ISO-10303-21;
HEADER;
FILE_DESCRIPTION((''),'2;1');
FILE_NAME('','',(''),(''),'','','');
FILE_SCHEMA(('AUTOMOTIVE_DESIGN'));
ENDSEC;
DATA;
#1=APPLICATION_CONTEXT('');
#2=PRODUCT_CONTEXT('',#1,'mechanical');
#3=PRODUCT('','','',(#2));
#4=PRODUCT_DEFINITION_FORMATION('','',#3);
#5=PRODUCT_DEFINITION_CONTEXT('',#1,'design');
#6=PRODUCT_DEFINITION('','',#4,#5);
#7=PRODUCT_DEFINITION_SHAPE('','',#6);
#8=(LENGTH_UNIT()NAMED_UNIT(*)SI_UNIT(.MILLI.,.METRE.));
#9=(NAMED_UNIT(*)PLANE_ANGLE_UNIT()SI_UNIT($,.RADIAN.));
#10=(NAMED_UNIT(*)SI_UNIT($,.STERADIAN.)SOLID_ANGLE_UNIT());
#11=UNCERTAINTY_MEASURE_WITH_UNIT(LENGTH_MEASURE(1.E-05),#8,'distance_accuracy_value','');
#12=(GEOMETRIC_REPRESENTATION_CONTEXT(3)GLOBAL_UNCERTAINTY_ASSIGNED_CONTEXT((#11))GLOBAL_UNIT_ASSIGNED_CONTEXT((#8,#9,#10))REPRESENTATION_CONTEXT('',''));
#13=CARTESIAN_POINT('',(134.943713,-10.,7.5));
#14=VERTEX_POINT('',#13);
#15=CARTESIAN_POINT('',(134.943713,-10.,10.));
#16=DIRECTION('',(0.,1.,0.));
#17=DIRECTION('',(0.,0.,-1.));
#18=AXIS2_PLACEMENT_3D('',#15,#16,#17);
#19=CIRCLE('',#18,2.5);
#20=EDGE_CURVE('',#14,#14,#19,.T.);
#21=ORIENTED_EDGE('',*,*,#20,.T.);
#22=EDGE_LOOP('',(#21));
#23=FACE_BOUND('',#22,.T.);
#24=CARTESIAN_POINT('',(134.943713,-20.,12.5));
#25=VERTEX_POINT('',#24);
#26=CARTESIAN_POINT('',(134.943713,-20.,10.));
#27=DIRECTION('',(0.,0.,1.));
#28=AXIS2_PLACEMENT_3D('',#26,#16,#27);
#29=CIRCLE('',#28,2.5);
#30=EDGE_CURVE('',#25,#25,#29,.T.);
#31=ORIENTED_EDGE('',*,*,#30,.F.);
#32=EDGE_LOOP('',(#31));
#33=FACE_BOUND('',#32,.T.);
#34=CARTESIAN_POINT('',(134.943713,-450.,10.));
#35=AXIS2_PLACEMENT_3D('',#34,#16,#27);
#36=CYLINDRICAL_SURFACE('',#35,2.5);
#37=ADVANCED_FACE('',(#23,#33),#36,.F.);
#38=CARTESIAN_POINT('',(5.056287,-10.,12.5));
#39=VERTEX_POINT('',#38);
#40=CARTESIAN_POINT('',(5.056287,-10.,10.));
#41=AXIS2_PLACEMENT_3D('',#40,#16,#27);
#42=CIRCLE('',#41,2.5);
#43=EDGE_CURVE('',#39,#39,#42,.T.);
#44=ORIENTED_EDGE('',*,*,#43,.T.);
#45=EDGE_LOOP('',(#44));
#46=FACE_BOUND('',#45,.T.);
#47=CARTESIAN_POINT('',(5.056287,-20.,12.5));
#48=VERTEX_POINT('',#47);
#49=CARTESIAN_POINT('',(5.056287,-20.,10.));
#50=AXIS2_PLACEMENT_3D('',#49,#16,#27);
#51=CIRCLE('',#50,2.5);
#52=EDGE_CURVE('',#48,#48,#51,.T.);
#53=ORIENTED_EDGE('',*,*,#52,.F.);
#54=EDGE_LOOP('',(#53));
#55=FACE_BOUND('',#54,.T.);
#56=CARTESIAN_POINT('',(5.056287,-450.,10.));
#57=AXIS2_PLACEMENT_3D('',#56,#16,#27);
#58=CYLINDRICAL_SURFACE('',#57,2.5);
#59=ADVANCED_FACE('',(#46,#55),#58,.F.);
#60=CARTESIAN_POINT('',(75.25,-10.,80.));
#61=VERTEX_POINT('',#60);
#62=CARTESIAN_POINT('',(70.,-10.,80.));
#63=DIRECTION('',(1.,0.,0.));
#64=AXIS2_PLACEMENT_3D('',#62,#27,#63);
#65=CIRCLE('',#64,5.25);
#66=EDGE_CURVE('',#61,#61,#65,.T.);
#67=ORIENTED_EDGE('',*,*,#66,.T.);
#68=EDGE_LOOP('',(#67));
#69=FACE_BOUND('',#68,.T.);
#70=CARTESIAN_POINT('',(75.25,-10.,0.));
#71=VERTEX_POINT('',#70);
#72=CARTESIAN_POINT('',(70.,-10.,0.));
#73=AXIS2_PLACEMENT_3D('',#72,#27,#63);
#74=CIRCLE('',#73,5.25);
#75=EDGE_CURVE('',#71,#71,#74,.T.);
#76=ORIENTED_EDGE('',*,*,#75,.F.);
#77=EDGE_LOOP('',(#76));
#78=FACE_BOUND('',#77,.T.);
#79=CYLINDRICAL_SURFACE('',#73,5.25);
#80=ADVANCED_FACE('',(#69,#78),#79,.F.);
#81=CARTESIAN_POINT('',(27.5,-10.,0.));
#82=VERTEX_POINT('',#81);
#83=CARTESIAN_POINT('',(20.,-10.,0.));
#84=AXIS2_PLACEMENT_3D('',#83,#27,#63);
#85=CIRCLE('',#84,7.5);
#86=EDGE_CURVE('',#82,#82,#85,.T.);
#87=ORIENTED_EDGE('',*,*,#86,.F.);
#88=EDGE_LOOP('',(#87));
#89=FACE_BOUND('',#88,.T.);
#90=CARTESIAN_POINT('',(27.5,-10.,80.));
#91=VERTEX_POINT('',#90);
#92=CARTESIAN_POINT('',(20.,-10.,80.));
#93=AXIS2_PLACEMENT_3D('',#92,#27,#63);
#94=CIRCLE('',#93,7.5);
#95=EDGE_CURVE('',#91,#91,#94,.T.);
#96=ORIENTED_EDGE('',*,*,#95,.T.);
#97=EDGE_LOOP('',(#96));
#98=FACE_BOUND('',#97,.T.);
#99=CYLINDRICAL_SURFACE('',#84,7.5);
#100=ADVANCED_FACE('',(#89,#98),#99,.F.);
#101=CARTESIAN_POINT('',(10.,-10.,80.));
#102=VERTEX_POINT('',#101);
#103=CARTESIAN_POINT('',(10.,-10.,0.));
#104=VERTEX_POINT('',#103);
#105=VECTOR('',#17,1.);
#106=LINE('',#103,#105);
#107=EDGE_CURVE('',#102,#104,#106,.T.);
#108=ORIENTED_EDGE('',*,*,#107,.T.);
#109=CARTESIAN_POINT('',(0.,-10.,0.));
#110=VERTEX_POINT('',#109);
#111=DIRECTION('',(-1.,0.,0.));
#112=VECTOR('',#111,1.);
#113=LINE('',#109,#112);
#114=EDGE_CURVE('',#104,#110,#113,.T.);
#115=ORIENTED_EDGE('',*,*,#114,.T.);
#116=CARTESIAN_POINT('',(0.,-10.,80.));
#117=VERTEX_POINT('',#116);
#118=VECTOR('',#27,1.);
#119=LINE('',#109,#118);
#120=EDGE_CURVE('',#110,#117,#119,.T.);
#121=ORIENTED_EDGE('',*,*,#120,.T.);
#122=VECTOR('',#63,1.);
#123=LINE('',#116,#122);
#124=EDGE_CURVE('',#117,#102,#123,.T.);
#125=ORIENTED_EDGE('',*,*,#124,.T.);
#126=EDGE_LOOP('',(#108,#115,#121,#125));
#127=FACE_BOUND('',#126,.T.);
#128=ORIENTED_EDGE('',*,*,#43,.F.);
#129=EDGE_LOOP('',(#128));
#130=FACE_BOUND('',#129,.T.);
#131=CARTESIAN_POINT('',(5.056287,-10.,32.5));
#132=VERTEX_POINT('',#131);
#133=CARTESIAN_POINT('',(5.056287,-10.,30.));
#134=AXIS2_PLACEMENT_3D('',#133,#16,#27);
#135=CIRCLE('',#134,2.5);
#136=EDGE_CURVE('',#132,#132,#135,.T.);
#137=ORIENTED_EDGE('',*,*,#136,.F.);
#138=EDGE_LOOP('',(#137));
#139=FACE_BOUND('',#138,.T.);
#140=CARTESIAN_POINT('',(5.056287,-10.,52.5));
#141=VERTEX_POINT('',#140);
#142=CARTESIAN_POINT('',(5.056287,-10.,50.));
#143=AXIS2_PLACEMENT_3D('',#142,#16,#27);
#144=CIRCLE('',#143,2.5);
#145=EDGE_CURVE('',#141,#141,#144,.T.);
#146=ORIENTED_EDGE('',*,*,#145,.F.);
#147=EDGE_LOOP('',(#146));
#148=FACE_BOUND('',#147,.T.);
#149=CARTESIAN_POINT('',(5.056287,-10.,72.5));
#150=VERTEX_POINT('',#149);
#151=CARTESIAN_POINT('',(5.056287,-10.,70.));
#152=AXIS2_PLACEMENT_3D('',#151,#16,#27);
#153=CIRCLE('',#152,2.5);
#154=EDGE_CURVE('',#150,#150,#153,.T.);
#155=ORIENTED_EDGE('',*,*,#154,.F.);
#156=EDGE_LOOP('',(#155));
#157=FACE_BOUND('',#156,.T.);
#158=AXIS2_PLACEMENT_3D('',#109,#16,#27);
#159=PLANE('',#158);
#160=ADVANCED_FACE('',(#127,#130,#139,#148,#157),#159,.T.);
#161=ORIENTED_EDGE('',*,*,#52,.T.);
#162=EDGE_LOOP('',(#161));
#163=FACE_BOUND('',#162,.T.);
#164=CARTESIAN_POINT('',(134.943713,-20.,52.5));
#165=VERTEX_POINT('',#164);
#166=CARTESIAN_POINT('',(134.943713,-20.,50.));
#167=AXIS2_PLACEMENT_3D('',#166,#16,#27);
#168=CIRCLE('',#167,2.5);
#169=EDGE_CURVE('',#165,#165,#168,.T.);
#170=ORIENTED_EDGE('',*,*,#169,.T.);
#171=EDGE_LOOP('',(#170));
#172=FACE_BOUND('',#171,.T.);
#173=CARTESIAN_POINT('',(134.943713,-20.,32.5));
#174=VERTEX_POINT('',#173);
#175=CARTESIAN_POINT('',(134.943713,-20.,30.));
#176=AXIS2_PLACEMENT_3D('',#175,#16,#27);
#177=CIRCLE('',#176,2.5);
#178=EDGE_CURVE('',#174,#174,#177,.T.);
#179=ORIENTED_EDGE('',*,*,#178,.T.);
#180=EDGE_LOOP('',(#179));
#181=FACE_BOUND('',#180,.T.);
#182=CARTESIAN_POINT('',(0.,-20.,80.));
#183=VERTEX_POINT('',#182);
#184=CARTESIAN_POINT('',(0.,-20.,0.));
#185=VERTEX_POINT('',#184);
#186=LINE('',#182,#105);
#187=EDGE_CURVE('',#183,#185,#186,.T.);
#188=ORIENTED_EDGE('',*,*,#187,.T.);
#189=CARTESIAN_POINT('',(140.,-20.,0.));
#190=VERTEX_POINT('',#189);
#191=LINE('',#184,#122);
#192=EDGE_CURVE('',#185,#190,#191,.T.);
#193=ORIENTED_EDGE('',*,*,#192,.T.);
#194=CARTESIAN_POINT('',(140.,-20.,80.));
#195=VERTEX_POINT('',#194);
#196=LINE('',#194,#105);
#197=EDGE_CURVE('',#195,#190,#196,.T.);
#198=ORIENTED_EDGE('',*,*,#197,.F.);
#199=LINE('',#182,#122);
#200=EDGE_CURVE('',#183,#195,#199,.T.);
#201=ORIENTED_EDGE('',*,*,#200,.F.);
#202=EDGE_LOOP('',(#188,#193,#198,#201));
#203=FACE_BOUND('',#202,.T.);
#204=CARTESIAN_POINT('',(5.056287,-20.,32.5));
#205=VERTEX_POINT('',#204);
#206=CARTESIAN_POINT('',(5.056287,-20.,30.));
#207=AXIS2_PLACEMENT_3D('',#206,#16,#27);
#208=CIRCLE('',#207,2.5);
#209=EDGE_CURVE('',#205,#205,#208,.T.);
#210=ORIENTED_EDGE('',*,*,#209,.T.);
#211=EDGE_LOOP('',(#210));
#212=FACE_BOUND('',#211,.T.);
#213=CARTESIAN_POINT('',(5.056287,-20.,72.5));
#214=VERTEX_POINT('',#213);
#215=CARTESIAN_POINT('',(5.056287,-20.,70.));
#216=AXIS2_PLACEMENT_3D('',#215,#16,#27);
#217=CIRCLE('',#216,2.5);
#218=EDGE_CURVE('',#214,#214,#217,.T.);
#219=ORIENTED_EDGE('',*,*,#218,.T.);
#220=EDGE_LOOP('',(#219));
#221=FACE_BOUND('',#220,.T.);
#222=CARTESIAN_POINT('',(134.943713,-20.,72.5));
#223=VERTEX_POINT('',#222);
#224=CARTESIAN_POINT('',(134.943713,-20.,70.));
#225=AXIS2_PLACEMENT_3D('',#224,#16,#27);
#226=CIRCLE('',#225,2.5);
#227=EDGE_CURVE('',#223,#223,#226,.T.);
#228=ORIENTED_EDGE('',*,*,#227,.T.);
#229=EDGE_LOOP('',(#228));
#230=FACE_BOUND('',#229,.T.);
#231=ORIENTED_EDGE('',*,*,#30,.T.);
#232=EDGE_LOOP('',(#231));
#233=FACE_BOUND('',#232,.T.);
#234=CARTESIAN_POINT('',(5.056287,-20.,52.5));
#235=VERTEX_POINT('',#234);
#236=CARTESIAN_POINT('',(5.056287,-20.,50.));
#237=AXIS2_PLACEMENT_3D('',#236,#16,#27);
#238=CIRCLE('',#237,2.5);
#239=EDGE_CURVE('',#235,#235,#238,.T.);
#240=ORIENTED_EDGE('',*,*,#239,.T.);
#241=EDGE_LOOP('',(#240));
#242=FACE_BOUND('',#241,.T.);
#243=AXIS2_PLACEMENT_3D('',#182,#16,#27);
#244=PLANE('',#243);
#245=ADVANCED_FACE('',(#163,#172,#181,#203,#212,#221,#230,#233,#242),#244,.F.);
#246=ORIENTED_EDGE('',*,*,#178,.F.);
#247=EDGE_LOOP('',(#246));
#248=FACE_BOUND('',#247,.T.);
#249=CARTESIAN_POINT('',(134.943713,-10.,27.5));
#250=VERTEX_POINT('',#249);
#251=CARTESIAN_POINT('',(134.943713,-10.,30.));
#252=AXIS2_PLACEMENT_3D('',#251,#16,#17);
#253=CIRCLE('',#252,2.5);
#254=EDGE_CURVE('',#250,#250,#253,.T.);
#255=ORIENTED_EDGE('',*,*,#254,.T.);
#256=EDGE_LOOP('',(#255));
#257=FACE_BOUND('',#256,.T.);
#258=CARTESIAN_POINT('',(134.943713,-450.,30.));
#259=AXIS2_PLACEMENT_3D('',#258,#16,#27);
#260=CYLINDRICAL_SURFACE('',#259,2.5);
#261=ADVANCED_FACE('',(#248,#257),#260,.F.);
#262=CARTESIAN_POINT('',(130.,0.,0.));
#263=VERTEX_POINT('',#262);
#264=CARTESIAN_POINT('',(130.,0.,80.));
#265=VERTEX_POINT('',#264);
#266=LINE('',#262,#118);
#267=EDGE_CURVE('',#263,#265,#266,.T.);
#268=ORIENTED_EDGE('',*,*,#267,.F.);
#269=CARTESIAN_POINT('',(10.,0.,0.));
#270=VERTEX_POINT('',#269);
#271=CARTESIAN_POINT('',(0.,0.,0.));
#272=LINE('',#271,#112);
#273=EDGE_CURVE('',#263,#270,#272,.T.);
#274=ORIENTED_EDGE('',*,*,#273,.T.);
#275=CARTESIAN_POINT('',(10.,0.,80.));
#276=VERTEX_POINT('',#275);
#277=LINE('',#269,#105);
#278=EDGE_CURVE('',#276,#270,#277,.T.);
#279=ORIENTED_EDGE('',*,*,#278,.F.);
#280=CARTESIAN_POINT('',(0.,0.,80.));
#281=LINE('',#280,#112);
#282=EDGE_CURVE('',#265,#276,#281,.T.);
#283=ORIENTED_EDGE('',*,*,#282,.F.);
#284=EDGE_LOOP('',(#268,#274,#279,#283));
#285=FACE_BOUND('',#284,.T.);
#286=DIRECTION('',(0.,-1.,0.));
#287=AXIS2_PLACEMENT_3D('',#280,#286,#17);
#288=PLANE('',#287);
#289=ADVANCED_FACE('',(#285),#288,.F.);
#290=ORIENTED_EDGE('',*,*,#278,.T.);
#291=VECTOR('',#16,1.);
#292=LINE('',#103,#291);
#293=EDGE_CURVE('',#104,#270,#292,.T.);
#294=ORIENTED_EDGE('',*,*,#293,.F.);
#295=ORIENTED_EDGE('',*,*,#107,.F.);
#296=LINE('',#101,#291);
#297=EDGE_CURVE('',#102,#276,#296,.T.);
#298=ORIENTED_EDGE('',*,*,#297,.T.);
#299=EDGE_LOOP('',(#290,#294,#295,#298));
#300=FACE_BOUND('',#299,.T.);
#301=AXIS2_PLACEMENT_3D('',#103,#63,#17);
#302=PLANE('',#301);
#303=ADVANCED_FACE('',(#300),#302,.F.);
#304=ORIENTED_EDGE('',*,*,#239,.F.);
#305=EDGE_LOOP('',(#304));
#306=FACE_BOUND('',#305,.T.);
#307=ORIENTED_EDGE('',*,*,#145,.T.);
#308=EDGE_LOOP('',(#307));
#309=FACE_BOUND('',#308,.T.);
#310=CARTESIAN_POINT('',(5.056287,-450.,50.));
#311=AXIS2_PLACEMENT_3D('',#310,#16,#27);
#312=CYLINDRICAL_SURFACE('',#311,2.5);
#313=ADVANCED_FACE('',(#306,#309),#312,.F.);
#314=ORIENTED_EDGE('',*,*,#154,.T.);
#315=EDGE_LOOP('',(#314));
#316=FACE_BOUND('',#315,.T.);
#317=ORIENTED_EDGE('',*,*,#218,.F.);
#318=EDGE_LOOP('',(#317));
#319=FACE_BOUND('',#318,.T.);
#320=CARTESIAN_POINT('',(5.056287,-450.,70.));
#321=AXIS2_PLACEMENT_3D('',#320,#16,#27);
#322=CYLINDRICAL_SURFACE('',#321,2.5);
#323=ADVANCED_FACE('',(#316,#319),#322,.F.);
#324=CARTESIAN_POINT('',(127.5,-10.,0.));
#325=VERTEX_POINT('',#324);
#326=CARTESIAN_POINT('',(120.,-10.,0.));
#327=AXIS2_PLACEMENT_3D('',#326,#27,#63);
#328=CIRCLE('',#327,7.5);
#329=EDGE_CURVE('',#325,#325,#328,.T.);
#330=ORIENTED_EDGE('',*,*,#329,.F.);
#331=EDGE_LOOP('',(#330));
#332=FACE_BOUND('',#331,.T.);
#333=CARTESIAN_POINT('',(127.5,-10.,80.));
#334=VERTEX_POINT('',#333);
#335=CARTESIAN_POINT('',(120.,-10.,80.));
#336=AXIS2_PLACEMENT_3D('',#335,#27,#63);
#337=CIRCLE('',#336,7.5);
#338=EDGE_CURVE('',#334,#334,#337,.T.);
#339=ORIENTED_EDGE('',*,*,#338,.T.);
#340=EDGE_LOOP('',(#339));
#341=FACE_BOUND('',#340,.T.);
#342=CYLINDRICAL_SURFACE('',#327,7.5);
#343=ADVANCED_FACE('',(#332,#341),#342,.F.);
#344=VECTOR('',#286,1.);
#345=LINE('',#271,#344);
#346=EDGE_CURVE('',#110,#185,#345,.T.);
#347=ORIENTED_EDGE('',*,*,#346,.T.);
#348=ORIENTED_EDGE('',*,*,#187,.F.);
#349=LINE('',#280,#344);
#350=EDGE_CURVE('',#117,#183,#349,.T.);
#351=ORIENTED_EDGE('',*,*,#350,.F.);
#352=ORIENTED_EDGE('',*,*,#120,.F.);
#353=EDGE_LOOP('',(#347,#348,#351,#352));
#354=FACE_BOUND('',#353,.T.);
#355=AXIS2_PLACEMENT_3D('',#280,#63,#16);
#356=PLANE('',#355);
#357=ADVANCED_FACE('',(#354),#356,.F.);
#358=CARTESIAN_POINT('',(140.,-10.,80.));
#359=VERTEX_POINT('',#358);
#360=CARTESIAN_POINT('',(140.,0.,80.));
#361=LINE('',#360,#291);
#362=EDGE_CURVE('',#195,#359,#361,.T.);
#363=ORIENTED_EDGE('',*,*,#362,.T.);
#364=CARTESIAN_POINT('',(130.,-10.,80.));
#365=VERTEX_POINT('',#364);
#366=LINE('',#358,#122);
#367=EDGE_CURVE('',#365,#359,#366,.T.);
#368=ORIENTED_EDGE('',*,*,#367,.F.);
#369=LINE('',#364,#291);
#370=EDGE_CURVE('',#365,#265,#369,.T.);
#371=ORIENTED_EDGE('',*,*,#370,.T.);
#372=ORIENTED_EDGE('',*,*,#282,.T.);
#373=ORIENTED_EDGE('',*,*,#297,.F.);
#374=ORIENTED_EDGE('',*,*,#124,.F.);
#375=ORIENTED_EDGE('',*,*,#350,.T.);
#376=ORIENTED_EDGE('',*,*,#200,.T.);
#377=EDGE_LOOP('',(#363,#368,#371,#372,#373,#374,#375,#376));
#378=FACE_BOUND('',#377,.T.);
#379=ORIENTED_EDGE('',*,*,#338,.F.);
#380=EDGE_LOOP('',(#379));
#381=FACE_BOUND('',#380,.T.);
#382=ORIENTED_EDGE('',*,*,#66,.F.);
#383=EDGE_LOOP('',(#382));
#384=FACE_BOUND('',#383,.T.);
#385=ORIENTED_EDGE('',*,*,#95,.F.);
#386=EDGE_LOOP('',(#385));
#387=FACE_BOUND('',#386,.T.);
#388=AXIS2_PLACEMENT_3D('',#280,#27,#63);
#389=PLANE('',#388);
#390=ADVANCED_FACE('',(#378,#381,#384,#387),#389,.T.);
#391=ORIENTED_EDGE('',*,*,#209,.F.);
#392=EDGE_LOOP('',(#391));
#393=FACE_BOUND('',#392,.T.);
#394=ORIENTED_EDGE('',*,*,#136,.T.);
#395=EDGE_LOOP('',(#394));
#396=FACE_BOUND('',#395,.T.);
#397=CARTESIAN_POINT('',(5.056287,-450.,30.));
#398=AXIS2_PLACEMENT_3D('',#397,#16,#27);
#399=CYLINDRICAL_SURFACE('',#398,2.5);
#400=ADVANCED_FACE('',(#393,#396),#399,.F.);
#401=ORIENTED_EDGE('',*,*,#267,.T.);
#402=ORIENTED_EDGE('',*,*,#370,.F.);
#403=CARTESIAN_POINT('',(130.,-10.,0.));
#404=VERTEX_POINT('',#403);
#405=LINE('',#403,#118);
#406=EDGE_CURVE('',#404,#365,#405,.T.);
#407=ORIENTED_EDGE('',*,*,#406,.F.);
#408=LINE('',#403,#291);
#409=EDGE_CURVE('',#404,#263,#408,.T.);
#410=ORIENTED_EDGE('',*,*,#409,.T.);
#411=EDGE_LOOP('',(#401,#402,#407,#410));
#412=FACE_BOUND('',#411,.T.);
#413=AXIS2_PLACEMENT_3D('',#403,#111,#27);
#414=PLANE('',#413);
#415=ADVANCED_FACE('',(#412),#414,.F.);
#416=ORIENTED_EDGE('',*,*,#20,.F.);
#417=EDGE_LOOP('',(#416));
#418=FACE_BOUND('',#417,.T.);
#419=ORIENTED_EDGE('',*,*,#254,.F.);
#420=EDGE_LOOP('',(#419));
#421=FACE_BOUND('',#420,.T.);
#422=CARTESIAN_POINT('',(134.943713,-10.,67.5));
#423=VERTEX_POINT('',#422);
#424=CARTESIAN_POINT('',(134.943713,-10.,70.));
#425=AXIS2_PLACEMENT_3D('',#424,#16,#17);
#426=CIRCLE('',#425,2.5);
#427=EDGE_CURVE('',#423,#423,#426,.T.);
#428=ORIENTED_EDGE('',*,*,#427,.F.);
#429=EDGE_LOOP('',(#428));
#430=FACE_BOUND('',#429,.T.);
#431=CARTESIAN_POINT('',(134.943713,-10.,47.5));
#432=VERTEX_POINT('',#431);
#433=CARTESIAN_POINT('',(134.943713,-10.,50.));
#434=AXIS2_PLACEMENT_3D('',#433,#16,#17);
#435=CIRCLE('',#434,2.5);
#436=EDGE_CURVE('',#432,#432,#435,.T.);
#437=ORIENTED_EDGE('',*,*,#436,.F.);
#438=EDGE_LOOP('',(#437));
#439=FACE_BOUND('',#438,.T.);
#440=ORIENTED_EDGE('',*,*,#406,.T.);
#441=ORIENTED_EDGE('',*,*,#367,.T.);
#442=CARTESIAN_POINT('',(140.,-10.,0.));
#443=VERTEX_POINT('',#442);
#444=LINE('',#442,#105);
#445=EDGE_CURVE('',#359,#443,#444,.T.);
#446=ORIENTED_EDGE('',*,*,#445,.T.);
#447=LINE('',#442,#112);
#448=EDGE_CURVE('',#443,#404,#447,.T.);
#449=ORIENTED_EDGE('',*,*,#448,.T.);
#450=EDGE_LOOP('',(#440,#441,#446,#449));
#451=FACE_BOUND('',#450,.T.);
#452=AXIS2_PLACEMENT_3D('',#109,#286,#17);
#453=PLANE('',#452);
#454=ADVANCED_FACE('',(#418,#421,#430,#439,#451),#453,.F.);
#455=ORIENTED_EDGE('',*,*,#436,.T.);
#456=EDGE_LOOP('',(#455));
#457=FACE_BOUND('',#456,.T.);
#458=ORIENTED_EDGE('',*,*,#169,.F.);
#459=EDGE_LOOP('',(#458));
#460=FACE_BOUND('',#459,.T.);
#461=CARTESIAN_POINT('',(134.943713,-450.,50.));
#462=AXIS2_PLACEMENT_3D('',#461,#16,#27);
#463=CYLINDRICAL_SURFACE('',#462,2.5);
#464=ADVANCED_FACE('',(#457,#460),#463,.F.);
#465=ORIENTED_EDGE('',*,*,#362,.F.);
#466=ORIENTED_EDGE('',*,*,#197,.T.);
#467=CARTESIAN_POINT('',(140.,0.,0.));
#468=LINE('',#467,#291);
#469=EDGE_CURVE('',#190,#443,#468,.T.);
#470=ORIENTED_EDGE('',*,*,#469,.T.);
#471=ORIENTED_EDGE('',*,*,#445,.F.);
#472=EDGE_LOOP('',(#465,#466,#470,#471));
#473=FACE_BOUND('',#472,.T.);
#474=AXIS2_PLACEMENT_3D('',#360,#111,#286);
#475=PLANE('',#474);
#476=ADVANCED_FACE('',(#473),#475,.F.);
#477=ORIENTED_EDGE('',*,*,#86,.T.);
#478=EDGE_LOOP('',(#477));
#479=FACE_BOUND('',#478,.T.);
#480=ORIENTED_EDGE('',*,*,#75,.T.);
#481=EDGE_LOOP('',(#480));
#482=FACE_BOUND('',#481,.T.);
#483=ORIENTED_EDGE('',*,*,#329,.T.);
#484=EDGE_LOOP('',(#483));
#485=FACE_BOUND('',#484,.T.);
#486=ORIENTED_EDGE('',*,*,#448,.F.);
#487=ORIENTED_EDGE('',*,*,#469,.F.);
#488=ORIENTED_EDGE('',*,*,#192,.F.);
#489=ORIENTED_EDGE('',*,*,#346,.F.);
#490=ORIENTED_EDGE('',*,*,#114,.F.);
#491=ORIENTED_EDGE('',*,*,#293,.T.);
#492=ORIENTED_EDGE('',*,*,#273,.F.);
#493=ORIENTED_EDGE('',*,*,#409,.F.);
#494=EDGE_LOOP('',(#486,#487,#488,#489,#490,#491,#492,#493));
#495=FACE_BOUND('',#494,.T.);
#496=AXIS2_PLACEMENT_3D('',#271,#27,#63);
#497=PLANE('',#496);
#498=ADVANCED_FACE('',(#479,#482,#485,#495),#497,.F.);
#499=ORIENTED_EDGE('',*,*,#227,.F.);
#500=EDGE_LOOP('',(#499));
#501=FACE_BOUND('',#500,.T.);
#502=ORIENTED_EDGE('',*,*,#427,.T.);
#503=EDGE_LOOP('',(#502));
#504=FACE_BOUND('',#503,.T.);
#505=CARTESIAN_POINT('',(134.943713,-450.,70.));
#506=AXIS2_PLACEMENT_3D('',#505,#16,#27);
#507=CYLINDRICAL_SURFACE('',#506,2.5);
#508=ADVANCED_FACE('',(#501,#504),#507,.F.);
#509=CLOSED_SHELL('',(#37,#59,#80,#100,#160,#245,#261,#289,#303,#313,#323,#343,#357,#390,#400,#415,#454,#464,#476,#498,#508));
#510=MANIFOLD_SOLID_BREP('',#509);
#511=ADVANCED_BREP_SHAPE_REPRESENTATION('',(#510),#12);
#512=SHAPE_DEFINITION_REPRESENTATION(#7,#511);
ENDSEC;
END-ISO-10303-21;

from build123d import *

# Parameters (mm, degrees)
SKETCH1_W           = 140
SKETCH1_H           = 20
BOSS_EXTRUDE1_DEPTH = 80
SKETCH2_W           = 10
SKETCH2_H           = 80
CUT_EXTRUDE1_DEPTH  = 10
SKETCH3_R           = 7.5
SKETCH3_R_2         = 5.25
CUT_EXTRUDE2_DEPTH  = 80
SKETCH4_R           = 2.5
CUT_EXTRUDE4_DEPTH  = 440


with BuildPart() as part:
    # Sketch1 → Boss-Extrude1 (new body)
    with BuildSketch(Plane.XY):
        with Locations((70, -10)):
            Rectangle(SKETCH1_W, SKETCH1_H)
    extrude(amount=BOSS_EXTRUDE1_DEPTH)

    # Sketch2 → Cut-Extrude1 (cut)
    with BuildSketch(Plane(origin=(0, 0, 0), x_dir=(1, 0, 0), z_dir=(0, 1, 0))):
        with Locations((135, -40)):
            Rectangle(SKETCH2_W, SKETCH2_H)
        with Locations((5, -40)):
            Rectangle(SKETCH2_W, SKETCH2_H)
    extrude(amount=-CUT_EXTRUDE1_DEPTH, mode=Mode.SUBTRACT)

    # Sketch3 → Cut-Extrude2 (cut)
    with BuildSketch(Plane.XY.offset(80)):
        with Locations((20, -10)):
            Circle(SKETCH3_R)
        with Locations((70, -10)):
            Circle(SKETCH3_R_2)
        with Locations((120, -10)):
            Circle(SKETCH3_R)
    extrude(amount=-CUT_EXTRUDE2_DEPTH, mode=Mode.SUBTRACT)

    # Sketch4 → Cut-Extrude4 (cut)
    with BuildSketch(Plane(origin=(0, -10, 0), x_dir=(1, 0, 0), z_dir=(0, 1, 0))):
        with Locations(Location((5.056286957, -10, 0), (0, 0, 270))):
            Circle(SKETCH4_R)
        with Locations(Location((5.056286957, -30, 0), (0, 0, 270))):
            Circle(SKETCH4_R)
        with Locations(Location((5.056286957, -50, 0), (0, 0, 270))):
            Circle(SKETCH4_R)
        with Locations(Location((5.056286957, -70, 0), (0, 0, 270))):
            Circle(SKETCH4_R)
        with Locations(Location((134.943713043, -70, 0), (0, 0, 270))):
            Circle(SKETCH4_R)
        with Locations(Location((134.943713043, -50, 0), (0, 0, 270))):
            Circle(SKETCH4_R)
        with Locations(Location((134.943713043, -30, 0), (0, 0, 270))):
            Circle(SKETCH4_R)
        with Locations(Location((134.943713043, -10, 0), (0, 0, 270))):
            Circle(SKETCH4_R)
    extrude(amount=-CUT_EXTRUDE4_DEPTH, mode=Mode.SUBTRACT)


solid = part.part
